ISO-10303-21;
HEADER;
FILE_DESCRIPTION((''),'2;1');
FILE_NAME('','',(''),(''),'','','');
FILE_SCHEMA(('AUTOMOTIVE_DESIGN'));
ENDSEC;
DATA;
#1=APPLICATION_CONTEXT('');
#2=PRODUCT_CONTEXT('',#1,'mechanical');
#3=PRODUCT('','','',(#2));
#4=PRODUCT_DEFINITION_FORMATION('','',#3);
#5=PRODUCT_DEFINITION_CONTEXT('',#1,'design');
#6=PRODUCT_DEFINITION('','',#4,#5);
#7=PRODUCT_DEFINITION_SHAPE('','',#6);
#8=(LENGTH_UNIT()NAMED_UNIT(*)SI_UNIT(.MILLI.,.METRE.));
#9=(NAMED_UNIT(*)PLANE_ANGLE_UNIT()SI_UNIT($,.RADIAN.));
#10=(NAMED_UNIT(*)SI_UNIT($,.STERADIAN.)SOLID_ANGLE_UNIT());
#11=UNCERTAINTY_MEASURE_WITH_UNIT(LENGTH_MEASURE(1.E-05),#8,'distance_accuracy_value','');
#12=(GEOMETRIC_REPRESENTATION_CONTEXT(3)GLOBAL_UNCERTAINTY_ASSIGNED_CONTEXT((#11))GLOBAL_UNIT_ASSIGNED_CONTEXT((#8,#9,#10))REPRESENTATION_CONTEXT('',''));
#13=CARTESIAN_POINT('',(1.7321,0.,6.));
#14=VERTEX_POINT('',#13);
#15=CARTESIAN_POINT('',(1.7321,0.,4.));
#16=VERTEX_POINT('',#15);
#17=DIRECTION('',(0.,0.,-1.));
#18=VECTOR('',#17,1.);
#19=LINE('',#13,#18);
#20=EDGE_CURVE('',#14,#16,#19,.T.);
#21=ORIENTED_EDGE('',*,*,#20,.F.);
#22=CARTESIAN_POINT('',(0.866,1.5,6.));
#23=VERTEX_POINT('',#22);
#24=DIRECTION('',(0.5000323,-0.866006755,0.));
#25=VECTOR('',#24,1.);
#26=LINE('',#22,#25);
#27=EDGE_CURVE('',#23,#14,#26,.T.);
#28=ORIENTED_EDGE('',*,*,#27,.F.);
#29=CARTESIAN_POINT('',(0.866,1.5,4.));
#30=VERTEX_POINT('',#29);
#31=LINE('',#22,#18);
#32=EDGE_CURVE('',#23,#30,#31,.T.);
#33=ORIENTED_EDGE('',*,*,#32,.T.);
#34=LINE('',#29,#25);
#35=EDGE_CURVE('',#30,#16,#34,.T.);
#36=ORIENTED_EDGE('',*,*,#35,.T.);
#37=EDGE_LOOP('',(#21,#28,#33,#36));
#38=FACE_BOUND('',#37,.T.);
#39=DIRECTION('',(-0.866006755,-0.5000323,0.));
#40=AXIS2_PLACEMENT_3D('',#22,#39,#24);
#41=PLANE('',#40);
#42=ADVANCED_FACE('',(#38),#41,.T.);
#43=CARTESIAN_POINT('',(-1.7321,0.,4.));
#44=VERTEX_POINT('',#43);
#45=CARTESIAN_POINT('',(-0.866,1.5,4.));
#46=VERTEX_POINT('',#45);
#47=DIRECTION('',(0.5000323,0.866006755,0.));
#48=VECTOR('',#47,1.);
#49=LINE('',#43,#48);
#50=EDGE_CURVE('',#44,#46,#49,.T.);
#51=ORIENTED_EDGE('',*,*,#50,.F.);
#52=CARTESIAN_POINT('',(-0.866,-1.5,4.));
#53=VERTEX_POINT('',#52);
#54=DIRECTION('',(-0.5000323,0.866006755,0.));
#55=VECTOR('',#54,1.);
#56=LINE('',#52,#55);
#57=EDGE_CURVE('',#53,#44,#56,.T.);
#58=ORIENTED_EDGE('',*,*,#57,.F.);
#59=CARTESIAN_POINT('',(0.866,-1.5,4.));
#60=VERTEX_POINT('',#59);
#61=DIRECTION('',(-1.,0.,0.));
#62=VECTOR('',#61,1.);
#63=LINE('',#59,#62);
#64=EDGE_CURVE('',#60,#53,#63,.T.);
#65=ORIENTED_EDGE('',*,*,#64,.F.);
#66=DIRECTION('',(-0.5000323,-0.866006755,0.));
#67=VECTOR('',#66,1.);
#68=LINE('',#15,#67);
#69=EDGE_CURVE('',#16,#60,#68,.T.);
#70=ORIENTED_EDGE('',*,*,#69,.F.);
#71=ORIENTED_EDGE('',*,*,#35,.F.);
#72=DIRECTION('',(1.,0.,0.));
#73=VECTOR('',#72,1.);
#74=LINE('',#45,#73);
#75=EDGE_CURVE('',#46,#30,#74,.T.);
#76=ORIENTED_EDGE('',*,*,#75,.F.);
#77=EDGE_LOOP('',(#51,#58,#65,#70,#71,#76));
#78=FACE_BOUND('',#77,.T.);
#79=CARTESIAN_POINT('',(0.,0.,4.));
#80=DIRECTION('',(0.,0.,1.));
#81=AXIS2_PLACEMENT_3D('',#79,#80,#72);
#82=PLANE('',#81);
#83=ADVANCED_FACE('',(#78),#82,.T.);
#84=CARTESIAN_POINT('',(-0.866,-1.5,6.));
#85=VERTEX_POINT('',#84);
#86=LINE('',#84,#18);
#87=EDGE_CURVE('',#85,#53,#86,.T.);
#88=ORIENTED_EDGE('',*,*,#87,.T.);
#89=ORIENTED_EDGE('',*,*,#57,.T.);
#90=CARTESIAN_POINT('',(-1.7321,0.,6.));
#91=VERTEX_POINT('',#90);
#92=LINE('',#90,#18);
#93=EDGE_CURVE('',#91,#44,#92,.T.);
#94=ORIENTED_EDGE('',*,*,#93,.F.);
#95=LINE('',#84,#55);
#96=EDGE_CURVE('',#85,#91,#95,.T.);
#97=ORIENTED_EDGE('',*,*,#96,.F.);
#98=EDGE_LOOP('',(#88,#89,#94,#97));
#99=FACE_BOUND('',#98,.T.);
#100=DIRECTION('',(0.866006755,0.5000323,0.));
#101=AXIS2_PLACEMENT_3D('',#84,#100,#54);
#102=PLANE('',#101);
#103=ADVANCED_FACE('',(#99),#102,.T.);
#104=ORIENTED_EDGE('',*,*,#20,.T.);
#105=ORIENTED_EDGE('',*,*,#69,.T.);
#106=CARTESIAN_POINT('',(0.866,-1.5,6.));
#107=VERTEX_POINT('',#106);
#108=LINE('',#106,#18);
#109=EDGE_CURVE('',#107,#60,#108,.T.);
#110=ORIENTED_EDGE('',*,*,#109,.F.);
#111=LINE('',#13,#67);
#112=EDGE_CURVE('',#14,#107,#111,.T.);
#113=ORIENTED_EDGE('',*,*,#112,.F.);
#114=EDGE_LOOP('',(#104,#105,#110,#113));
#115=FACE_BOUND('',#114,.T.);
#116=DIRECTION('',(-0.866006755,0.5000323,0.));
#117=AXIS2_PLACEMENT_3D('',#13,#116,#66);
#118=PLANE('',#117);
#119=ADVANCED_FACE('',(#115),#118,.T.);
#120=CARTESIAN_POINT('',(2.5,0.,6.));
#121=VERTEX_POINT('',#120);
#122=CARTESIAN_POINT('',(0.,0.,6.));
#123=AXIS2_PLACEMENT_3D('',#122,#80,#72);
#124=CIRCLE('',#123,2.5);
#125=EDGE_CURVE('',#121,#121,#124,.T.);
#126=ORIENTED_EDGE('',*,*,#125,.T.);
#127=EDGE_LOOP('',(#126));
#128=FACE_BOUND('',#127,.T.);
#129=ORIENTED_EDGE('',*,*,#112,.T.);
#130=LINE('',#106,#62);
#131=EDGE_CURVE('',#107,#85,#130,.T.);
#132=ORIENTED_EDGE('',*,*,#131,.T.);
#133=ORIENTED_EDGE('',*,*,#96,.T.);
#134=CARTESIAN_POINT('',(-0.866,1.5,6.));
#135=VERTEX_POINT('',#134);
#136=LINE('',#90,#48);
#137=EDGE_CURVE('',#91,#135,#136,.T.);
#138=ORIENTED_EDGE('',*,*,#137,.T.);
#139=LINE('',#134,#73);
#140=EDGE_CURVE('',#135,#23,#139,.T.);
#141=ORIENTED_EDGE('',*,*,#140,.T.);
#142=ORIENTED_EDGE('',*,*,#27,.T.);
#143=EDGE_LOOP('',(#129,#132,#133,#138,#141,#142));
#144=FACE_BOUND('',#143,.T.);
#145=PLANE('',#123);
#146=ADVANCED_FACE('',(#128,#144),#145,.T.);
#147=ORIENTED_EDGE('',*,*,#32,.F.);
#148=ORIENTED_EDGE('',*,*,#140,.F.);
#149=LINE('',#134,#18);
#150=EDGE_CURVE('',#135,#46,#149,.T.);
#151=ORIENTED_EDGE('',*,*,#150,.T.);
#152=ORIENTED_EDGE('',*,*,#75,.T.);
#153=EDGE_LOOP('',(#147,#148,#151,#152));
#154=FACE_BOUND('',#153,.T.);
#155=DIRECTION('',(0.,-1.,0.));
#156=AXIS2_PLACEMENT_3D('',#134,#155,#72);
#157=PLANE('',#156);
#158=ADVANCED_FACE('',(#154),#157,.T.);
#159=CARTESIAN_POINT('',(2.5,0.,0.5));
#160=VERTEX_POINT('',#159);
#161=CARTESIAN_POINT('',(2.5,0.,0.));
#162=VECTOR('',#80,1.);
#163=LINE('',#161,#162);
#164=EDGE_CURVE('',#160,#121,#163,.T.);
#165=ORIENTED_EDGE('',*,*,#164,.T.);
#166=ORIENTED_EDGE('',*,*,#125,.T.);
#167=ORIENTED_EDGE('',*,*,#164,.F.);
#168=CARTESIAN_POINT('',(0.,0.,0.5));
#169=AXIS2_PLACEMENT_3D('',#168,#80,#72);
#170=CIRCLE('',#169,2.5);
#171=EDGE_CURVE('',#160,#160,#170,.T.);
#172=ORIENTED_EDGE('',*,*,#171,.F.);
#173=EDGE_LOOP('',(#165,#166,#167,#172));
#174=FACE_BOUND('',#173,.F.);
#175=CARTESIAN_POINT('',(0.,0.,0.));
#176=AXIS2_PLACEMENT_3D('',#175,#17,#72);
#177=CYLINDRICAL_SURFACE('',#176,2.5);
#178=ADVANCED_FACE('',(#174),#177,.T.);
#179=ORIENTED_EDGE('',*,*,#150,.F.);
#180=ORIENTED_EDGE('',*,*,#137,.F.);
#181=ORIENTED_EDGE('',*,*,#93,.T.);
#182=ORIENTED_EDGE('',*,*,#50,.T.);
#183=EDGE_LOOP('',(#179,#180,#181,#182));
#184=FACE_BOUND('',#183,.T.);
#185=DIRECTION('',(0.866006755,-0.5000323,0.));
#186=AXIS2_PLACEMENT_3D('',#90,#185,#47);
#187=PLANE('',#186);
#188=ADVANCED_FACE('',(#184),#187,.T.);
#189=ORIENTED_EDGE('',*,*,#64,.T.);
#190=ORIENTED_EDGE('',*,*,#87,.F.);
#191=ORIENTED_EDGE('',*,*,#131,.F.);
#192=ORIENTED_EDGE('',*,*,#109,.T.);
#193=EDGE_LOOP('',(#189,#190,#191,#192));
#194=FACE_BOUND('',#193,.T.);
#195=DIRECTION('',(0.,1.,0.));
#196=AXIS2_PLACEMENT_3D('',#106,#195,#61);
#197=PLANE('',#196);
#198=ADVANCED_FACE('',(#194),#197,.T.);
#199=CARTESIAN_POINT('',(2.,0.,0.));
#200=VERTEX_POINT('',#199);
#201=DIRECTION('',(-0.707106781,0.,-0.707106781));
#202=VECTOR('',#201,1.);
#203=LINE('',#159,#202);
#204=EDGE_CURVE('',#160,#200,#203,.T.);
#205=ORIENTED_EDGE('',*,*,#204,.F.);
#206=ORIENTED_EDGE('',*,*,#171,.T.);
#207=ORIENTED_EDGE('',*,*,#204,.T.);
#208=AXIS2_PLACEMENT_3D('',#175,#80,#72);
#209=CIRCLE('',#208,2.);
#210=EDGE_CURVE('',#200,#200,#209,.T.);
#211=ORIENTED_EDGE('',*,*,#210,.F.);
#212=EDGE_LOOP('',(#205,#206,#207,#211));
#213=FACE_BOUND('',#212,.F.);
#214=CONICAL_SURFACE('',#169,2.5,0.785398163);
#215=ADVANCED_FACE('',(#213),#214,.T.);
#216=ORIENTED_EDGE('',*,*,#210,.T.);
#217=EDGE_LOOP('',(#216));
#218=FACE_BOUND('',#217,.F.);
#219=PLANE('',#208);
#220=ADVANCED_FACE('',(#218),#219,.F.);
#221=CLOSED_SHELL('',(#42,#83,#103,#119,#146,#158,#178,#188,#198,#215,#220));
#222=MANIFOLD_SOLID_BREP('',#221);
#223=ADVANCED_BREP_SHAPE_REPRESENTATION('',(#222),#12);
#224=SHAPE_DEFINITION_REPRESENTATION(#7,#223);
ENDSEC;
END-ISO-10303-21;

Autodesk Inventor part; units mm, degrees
ref_plane "YZ Plane" through (0, 0, 0) normal (1, 0, 0) x (0, 1, 0)
ref_plane "XZ Plane" through (0, 0, 0) normal (0, 1, 0) x (-1, 0, 0)
ref_plane "XY Plane" through (0, 0, 0) normal (0, 0, 1) x (1, 0, 0)
sketch "Sketch1" plane through (0, 0, 0) normal (0, 0, 1) x (1, 0, 0)
  circle A0 centre (0, 0) radius 2.5
  dimension "Dia" = 5
extrude "Extrusion1" add sketch "Sketch1" along normal blind 6
chamfer "Chamfer1" distance 0.5 angle 45 1 edges at (-2.5, 0, 0)
thread "Thread1" size "M5x0.8" class "6g" standard "ANSI Metric M Profile" full length
sketch "Sketch2" plane through (0, 0, 6) normal (0, 0, 1) x (1, 0, 0)
  line L0 (0.866, 1.5) -> (1.7321, 0)
  line L1 (1.7321, 0) -> (0.866, -1.5)
  line L2 (0.866, -1.5) -> (-0.866, -1.5)
  line L3 (-0.866, -1.5) -> (-1.7321, 0)
  line L4 (-1.7321, 0) -> (-0.866, 1.5)
  line L5 (-0.866, 1.5) -> (0.866, 1.5)
  point P0 (0, 0)
  dimension "d8" = 3
extrude "Extrusion2" cut sketch "Sketch2" against normal blind 2
equation "\"d3\" = 0.1 * Dia"
properties part number "24-506-5F" material "Steel, High Strength Low Alloy"
